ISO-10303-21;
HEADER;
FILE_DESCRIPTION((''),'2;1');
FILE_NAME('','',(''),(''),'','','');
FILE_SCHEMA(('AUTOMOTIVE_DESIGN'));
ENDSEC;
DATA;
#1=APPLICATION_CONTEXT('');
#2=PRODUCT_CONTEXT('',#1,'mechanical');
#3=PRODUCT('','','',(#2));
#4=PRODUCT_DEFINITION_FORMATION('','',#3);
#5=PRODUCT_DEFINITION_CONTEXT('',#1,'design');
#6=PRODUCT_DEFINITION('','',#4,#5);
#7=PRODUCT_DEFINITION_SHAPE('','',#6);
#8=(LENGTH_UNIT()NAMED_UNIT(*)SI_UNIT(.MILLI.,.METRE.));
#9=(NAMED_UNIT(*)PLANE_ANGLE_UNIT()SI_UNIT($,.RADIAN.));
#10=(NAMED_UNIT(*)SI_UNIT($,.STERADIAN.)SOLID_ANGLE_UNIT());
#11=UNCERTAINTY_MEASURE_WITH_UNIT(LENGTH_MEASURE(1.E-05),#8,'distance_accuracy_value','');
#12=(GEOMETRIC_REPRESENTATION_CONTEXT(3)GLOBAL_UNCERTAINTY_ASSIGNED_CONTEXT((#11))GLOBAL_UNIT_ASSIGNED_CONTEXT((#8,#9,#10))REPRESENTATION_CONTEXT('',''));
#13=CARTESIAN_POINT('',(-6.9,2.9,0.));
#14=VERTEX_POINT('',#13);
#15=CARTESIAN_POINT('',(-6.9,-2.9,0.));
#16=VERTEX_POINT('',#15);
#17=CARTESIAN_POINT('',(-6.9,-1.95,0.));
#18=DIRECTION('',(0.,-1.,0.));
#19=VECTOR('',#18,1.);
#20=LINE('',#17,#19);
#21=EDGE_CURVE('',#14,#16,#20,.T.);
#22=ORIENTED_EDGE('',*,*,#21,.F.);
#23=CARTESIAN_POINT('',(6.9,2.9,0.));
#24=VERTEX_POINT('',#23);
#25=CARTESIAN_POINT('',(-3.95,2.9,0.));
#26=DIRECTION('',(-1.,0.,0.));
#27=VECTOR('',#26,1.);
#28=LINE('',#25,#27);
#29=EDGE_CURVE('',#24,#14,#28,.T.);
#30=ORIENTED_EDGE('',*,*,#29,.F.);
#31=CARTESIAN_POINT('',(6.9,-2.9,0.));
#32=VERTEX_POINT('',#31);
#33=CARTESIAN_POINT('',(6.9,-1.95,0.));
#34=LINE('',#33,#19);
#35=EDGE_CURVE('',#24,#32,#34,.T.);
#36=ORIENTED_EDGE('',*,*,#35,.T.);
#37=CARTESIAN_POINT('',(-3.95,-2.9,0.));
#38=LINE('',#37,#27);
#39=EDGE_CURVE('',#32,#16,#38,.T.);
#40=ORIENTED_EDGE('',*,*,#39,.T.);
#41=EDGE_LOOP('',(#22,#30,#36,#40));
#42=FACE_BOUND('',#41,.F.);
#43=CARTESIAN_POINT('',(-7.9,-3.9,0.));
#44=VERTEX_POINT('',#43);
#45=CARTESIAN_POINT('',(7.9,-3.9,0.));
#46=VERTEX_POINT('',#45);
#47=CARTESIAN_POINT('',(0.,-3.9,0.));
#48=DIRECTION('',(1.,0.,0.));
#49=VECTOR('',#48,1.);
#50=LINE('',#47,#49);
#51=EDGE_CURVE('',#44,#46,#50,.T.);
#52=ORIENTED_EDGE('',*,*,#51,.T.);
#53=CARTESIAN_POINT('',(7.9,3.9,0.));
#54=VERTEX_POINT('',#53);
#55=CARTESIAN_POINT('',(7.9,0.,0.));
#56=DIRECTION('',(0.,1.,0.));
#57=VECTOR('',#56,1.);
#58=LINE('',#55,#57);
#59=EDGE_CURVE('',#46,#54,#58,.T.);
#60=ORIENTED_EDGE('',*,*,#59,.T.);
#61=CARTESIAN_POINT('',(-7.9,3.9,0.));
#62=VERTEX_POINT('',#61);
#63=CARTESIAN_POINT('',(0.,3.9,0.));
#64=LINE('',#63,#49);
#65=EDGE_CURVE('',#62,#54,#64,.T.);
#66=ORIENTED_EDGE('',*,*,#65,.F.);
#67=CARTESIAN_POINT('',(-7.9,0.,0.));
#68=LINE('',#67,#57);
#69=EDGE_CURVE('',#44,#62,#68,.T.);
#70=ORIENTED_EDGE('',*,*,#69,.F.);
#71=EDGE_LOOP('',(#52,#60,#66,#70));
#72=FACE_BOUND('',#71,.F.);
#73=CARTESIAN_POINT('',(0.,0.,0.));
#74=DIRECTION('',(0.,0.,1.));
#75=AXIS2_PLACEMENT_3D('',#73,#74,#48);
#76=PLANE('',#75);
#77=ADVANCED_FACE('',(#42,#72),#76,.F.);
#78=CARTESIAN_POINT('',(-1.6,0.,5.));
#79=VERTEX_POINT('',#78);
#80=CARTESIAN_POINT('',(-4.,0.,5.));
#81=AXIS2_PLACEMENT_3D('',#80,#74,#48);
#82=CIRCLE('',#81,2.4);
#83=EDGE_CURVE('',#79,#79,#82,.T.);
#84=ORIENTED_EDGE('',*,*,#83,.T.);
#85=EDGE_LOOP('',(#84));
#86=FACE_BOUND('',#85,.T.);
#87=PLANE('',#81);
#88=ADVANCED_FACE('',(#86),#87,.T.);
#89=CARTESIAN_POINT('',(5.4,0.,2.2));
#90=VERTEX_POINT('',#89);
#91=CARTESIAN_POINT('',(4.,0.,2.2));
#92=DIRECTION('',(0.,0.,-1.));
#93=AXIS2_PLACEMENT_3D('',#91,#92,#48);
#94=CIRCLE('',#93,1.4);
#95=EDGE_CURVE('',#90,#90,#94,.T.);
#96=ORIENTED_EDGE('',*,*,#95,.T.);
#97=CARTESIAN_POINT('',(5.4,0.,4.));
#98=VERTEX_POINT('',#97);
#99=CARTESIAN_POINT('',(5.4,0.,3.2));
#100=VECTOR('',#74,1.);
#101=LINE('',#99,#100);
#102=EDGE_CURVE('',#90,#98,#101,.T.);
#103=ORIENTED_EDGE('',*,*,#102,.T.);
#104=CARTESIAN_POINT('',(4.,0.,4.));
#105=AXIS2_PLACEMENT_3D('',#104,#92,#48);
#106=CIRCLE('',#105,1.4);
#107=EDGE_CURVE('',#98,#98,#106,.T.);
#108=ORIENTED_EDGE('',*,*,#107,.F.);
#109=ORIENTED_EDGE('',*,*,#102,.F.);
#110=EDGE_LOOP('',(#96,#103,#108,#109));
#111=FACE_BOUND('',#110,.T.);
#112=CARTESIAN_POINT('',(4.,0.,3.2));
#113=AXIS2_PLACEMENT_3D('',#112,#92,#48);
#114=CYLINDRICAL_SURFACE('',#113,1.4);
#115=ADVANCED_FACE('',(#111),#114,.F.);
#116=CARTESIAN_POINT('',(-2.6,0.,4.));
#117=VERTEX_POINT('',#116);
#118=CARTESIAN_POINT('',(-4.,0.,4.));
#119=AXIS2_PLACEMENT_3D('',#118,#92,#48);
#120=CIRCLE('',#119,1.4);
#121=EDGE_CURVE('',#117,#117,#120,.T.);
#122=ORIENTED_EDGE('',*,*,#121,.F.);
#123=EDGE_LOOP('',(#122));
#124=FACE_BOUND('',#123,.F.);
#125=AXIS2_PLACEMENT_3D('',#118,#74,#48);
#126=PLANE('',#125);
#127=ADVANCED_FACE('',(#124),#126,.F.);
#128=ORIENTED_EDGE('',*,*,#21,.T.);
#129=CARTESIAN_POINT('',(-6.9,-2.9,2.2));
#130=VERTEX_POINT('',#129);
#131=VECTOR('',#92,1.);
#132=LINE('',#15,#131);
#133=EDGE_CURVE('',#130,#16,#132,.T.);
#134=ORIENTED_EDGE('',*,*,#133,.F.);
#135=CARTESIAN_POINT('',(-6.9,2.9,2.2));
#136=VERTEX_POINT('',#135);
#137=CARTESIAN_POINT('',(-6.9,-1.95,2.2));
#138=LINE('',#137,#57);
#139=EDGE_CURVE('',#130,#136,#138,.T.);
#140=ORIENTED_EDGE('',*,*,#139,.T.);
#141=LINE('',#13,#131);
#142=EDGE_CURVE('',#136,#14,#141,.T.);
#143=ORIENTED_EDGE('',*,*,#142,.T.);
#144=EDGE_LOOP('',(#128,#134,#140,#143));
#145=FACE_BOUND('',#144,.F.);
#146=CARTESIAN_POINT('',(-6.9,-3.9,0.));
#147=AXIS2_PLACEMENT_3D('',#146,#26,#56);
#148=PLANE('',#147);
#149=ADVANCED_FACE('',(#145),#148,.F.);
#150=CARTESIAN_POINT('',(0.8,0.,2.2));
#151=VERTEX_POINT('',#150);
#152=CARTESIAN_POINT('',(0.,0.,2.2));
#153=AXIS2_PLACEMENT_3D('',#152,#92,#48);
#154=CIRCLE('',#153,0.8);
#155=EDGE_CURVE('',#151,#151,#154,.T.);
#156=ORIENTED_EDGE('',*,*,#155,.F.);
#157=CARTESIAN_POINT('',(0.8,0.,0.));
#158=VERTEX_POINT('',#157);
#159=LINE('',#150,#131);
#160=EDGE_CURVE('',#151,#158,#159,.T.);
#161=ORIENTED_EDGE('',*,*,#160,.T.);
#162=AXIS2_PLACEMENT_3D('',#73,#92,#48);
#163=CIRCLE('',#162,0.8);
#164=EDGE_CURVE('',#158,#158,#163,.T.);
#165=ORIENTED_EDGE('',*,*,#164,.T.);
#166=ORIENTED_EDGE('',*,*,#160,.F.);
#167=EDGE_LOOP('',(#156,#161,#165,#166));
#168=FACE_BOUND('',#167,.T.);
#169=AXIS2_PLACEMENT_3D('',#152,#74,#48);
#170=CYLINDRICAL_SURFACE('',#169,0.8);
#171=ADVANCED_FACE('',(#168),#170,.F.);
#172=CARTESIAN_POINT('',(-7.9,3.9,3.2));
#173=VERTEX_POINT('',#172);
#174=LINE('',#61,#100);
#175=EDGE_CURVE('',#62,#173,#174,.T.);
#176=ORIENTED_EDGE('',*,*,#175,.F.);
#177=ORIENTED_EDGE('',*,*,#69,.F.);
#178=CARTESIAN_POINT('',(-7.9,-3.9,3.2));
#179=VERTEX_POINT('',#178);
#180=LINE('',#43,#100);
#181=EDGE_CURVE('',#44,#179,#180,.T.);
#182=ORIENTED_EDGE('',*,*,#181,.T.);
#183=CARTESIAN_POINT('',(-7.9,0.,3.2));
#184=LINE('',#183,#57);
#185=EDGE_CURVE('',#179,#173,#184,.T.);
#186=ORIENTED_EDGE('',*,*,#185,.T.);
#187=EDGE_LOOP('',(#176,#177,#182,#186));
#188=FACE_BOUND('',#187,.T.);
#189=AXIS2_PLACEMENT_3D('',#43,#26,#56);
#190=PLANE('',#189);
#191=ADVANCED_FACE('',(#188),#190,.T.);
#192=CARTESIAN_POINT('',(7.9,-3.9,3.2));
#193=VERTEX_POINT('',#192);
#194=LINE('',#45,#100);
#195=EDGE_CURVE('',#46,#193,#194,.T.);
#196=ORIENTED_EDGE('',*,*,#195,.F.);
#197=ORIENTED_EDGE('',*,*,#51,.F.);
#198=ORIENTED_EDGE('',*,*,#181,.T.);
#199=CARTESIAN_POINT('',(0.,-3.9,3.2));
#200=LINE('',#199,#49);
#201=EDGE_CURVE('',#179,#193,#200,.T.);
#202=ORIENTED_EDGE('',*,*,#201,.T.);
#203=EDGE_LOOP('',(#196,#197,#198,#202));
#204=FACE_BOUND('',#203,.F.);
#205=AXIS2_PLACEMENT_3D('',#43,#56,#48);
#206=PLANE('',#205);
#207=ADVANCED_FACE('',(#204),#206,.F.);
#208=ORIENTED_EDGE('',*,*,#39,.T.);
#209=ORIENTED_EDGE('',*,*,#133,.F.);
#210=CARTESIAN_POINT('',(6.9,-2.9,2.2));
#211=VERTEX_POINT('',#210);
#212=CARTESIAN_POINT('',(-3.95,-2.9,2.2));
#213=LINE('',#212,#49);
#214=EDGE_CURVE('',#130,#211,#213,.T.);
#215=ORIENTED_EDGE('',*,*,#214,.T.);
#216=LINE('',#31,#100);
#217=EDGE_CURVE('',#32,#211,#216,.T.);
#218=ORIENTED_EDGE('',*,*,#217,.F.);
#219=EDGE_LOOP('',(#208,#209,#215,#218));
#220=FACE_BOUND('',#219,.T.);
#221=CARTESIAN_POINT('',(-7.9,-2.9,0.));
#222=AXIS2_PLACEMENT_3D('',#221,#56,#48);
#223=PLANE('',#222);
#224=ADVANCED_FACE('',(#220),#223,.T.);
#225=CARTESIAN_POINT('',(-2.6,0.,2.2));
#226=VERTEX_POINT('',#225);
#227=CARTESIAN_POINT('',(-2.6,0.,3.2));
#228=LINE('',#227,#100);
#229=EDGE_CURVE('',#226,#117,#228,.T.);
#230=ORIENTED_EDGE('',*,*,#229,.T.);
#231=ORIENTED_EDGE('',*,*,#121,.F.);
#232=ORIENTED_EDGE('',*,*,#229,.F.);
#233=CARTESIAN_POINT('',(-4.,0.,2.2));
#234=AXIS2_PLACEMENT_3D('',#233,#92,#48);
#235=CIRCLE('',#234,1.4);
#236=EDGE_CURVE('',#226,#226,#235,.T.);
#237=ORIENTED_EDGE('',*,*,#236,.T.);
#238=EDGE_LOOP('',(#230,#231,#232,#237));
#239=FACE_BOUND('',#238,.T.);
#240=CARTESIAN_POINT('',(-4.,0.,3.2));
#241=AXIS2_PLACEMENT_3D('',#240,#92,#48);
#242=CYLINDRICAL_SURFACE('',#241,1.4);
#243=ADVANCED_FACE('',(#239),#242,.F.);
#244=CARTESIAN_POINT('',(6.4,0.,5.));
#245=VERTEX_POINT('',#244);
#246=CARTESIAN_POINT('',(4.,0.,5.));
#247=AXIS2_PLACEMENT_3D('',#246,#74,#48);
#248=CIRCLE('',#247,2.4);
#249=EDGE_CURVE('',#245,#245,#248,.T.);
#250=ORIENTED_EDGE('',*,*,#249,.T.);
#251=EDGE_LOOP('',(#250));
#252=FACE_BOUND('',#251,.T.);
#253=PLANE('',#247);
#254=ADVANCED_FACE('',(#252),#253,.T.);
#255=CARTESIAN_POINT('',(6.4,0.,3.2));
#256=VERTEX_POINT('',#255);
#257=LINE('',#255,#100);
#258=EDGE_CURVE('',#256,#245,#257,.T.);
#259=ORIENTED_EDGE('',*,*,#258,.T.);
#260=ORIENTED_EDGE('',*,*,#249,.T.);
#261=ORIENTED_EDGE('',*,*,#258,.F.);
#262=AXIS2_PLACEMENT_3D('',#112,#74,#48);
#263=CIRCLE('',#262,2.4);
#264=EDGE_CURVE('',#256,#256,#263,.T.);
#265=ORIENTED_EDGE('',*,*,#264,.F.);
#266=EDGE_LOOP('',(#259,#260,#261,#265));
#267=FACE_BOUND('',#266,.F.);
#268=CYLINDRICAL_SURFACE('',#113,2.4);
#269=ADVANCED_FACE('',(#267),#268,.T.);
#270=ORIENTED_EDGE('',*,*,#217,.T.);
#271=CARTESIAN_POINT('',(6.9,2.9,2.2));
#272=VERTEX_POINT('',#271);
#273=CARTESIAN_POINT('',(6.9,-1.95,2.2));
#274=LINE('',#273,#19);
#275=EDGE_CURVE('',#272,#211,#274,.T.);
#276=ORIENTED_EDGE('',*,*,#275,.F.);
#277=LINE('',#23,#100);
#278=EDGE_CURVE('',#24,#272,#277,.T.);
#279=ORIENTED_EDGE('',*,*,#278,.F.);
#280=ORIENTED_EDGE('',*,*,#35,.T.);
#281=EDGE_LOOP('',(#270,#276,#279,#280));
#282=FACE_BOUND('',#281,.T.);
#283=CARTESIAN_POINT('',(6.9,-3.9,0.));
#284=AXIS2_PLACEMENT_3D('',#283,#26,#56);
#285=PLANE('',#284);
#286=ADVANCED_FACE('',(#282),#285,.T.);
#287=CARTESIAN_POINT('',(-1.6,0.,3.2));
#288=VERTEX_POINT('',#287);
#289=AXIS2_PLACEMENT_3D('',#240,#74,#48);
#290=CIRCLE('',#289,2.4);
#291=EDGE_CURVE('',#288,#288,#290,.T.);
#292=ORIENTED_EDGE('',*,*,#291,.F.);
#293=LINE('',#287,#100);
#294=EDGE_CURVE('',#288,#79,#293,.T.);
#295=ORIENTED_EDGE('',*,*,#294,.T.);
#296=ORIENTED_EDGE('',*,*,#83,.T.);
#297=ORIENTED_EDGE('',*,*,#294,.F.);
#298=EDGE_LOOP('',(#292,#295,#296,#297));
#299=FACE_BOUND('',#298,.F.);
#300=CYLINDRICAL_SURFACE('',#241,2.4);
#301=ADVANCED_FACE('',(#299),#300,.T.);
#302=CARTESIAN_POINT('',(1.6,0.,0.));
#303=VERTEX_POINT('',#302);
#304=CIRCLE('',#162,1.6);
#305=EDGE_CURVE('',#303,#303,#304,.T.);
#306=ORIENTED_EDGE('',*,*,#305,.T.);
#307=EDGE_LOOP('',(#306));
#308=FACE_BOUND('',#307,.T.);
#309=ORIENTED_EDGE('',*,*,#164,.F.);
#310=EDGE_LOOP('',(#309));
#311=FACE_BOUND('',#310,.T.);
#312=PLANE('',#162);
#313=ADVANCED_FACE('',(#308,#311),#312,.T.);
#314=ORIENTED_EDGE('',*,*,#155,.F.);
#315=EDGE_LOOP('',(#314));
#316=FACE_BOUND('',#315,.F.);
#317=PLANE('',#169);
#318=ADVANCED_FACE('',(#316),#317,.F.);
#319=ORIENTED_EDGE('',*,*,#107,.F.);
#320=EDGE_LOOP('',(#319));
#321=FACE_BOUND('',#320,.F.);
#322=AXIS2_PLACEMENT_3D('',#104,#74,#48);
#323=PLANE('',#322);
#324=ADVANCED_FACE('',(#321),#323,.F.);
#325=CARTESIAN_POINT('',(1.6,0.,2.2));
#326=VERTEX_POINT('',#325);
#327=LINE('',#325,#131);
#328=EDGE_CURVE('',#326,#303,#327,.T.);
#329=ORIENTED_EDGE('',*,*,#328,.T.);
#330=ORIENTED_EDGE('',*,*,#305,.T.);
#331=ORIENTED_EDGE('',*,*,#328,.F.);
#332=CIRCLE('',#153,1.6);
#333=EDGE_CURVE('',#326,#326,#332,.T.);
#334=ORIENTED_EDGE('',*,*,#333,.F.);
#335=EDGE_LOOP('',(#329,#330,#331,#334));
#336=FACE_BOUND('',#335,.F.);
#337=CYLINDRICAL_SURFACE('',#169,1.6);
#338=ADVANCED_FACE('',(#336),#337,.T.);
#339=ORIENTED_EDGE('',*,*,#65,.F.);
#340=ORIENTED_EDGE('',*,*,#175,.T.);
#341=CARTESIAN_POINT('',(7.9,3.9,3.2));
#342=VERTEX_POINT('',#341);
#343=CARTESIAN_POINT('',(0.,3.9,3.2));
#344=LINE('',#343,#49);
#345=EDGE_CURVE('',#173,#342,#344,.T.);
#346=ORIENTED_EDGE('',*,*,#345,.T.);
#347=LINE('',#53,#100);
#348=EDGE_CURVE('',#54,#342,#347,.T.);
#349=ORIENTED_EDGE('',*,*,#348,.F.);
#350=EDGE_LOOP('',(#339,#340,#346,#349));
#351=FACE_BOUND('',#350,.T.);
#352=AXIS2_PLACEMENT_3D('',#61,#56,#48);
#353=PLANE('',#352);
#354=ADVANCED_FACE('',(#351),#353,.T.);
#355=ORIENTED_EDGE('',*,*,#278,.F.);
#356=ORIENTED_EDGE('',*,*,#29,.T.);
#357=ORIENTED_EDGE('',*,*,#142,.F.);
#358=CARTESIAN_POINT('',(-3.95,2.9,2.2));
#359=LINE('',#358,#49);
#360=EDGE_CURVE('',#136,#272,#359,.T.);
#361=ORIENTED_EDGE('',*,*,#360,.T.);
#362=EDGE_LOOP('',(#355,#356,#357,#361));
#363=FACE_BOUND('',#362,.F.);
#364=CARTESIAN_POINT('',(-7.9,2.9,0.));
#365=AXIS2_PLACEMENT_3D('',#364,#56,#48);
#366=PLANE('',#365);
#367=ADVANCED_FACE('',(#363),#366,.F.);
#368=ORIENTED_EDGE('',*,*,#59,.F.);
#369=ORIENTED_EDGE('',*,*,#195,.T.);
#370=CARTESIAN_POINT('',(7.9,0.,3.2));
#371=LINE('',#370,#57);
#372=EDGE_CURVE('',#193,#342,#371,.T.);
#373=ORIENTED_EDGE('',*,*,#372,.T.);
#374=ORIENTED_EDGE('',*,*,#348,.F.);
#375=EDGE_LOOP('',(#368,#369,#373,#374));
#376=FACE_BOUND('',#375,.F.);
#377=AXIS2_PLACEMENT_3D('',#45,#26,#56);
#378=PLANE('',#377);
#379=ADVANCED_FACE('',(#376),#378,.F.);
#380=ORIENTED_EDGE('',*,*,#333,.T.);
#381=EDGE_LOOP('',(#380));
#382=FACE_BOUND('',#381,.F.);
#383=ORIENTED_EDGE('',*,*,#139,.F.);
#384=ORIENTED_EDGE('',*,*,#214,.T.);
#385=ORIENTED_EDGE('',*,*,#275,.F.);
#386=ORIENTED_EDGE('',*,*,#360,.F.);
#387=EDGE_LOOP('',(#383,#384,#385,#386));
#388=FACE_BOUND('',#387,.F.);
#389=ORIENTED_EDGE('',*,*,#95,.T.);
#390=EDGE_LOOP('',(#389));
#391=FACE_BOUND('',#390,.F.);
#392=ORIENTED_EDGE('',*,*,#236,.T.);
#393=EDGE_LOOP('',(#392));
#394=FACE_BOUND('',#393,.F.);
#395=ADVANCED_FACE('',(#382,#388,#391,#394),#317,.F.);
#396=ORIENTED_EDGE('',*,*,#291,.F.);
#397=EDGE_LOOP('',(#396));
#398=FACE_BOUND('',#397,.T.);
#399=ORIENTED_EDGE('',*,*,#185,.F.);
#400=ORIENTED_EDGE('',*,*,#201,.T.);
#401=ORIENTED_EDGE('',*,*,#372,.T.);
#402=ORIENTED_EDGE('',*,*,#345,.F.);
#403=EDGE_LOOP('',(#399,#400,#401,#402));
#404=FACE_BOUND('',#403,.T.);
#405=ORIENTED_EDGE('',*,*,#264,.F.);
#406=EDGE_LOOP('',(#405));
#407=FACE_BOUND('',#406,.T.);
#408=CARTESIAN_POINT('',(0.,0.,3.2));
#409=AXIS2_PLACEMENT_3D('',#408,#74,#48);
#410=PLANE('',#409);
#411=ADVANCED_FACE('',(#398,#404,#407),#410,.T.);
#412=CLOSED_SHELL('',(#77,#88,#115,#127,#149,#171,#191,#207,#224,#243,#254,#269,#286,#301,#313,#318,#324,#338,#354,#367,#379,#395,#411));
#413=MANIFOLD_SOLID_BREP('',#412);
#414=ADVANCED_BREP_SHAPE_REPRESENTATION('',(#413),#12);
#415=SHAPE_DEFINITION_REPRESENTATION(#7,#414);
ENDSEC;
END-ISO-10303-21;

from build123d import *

# Parameters (mm, degrees)
F0_W     = 15.8
F0_H     = 7.8
F1_DEPTH = 3.2
F2_R     = 2.4
F3_DEPTH = 1.8
F4_T     = -1
F5_R     = 1.6
F5_R_2   = 0.8
F6_DEPTH = 2.2


with BuildPart() as f1:
    # F0 (on Top) → F1 (new body)
    with BuildSketch(Plane.XY):
        Rectangle(F0_W, F0_H)
    extrude(amount=F1_DEPTH)

    # F2 (on face) → F3 (join)
    with BuildSketch(Plane.XY.offset(3.2)):
        with Locations((-4, 0)):
            Circle(F2_R)
        with Locations((4, 0)):
            Circle(F2_R)
    extrude(amount=F3_DEPTH)

    # F4
    f4_openings = [f1.faces().sort_by_distance(p)[0] for p in [
        (0, 0, 0),
    ]]
    offset(amount=F4_T, openings=f4_openings, kind=Kind.INTERSECTION)

    # F5 (on face) → F6 (join, through all)
    with BuildSketch(Plane(origin=(0, 0, 2.2), x_dir=(1, 0, 0), z_dir=(0, 0, -1))):
        Circle(F5_R)
        Circle(F5_R_2, mode=Mode.SUBTRACT)
    extrude(amount=F6_DEPTH)


solid = f1.part
